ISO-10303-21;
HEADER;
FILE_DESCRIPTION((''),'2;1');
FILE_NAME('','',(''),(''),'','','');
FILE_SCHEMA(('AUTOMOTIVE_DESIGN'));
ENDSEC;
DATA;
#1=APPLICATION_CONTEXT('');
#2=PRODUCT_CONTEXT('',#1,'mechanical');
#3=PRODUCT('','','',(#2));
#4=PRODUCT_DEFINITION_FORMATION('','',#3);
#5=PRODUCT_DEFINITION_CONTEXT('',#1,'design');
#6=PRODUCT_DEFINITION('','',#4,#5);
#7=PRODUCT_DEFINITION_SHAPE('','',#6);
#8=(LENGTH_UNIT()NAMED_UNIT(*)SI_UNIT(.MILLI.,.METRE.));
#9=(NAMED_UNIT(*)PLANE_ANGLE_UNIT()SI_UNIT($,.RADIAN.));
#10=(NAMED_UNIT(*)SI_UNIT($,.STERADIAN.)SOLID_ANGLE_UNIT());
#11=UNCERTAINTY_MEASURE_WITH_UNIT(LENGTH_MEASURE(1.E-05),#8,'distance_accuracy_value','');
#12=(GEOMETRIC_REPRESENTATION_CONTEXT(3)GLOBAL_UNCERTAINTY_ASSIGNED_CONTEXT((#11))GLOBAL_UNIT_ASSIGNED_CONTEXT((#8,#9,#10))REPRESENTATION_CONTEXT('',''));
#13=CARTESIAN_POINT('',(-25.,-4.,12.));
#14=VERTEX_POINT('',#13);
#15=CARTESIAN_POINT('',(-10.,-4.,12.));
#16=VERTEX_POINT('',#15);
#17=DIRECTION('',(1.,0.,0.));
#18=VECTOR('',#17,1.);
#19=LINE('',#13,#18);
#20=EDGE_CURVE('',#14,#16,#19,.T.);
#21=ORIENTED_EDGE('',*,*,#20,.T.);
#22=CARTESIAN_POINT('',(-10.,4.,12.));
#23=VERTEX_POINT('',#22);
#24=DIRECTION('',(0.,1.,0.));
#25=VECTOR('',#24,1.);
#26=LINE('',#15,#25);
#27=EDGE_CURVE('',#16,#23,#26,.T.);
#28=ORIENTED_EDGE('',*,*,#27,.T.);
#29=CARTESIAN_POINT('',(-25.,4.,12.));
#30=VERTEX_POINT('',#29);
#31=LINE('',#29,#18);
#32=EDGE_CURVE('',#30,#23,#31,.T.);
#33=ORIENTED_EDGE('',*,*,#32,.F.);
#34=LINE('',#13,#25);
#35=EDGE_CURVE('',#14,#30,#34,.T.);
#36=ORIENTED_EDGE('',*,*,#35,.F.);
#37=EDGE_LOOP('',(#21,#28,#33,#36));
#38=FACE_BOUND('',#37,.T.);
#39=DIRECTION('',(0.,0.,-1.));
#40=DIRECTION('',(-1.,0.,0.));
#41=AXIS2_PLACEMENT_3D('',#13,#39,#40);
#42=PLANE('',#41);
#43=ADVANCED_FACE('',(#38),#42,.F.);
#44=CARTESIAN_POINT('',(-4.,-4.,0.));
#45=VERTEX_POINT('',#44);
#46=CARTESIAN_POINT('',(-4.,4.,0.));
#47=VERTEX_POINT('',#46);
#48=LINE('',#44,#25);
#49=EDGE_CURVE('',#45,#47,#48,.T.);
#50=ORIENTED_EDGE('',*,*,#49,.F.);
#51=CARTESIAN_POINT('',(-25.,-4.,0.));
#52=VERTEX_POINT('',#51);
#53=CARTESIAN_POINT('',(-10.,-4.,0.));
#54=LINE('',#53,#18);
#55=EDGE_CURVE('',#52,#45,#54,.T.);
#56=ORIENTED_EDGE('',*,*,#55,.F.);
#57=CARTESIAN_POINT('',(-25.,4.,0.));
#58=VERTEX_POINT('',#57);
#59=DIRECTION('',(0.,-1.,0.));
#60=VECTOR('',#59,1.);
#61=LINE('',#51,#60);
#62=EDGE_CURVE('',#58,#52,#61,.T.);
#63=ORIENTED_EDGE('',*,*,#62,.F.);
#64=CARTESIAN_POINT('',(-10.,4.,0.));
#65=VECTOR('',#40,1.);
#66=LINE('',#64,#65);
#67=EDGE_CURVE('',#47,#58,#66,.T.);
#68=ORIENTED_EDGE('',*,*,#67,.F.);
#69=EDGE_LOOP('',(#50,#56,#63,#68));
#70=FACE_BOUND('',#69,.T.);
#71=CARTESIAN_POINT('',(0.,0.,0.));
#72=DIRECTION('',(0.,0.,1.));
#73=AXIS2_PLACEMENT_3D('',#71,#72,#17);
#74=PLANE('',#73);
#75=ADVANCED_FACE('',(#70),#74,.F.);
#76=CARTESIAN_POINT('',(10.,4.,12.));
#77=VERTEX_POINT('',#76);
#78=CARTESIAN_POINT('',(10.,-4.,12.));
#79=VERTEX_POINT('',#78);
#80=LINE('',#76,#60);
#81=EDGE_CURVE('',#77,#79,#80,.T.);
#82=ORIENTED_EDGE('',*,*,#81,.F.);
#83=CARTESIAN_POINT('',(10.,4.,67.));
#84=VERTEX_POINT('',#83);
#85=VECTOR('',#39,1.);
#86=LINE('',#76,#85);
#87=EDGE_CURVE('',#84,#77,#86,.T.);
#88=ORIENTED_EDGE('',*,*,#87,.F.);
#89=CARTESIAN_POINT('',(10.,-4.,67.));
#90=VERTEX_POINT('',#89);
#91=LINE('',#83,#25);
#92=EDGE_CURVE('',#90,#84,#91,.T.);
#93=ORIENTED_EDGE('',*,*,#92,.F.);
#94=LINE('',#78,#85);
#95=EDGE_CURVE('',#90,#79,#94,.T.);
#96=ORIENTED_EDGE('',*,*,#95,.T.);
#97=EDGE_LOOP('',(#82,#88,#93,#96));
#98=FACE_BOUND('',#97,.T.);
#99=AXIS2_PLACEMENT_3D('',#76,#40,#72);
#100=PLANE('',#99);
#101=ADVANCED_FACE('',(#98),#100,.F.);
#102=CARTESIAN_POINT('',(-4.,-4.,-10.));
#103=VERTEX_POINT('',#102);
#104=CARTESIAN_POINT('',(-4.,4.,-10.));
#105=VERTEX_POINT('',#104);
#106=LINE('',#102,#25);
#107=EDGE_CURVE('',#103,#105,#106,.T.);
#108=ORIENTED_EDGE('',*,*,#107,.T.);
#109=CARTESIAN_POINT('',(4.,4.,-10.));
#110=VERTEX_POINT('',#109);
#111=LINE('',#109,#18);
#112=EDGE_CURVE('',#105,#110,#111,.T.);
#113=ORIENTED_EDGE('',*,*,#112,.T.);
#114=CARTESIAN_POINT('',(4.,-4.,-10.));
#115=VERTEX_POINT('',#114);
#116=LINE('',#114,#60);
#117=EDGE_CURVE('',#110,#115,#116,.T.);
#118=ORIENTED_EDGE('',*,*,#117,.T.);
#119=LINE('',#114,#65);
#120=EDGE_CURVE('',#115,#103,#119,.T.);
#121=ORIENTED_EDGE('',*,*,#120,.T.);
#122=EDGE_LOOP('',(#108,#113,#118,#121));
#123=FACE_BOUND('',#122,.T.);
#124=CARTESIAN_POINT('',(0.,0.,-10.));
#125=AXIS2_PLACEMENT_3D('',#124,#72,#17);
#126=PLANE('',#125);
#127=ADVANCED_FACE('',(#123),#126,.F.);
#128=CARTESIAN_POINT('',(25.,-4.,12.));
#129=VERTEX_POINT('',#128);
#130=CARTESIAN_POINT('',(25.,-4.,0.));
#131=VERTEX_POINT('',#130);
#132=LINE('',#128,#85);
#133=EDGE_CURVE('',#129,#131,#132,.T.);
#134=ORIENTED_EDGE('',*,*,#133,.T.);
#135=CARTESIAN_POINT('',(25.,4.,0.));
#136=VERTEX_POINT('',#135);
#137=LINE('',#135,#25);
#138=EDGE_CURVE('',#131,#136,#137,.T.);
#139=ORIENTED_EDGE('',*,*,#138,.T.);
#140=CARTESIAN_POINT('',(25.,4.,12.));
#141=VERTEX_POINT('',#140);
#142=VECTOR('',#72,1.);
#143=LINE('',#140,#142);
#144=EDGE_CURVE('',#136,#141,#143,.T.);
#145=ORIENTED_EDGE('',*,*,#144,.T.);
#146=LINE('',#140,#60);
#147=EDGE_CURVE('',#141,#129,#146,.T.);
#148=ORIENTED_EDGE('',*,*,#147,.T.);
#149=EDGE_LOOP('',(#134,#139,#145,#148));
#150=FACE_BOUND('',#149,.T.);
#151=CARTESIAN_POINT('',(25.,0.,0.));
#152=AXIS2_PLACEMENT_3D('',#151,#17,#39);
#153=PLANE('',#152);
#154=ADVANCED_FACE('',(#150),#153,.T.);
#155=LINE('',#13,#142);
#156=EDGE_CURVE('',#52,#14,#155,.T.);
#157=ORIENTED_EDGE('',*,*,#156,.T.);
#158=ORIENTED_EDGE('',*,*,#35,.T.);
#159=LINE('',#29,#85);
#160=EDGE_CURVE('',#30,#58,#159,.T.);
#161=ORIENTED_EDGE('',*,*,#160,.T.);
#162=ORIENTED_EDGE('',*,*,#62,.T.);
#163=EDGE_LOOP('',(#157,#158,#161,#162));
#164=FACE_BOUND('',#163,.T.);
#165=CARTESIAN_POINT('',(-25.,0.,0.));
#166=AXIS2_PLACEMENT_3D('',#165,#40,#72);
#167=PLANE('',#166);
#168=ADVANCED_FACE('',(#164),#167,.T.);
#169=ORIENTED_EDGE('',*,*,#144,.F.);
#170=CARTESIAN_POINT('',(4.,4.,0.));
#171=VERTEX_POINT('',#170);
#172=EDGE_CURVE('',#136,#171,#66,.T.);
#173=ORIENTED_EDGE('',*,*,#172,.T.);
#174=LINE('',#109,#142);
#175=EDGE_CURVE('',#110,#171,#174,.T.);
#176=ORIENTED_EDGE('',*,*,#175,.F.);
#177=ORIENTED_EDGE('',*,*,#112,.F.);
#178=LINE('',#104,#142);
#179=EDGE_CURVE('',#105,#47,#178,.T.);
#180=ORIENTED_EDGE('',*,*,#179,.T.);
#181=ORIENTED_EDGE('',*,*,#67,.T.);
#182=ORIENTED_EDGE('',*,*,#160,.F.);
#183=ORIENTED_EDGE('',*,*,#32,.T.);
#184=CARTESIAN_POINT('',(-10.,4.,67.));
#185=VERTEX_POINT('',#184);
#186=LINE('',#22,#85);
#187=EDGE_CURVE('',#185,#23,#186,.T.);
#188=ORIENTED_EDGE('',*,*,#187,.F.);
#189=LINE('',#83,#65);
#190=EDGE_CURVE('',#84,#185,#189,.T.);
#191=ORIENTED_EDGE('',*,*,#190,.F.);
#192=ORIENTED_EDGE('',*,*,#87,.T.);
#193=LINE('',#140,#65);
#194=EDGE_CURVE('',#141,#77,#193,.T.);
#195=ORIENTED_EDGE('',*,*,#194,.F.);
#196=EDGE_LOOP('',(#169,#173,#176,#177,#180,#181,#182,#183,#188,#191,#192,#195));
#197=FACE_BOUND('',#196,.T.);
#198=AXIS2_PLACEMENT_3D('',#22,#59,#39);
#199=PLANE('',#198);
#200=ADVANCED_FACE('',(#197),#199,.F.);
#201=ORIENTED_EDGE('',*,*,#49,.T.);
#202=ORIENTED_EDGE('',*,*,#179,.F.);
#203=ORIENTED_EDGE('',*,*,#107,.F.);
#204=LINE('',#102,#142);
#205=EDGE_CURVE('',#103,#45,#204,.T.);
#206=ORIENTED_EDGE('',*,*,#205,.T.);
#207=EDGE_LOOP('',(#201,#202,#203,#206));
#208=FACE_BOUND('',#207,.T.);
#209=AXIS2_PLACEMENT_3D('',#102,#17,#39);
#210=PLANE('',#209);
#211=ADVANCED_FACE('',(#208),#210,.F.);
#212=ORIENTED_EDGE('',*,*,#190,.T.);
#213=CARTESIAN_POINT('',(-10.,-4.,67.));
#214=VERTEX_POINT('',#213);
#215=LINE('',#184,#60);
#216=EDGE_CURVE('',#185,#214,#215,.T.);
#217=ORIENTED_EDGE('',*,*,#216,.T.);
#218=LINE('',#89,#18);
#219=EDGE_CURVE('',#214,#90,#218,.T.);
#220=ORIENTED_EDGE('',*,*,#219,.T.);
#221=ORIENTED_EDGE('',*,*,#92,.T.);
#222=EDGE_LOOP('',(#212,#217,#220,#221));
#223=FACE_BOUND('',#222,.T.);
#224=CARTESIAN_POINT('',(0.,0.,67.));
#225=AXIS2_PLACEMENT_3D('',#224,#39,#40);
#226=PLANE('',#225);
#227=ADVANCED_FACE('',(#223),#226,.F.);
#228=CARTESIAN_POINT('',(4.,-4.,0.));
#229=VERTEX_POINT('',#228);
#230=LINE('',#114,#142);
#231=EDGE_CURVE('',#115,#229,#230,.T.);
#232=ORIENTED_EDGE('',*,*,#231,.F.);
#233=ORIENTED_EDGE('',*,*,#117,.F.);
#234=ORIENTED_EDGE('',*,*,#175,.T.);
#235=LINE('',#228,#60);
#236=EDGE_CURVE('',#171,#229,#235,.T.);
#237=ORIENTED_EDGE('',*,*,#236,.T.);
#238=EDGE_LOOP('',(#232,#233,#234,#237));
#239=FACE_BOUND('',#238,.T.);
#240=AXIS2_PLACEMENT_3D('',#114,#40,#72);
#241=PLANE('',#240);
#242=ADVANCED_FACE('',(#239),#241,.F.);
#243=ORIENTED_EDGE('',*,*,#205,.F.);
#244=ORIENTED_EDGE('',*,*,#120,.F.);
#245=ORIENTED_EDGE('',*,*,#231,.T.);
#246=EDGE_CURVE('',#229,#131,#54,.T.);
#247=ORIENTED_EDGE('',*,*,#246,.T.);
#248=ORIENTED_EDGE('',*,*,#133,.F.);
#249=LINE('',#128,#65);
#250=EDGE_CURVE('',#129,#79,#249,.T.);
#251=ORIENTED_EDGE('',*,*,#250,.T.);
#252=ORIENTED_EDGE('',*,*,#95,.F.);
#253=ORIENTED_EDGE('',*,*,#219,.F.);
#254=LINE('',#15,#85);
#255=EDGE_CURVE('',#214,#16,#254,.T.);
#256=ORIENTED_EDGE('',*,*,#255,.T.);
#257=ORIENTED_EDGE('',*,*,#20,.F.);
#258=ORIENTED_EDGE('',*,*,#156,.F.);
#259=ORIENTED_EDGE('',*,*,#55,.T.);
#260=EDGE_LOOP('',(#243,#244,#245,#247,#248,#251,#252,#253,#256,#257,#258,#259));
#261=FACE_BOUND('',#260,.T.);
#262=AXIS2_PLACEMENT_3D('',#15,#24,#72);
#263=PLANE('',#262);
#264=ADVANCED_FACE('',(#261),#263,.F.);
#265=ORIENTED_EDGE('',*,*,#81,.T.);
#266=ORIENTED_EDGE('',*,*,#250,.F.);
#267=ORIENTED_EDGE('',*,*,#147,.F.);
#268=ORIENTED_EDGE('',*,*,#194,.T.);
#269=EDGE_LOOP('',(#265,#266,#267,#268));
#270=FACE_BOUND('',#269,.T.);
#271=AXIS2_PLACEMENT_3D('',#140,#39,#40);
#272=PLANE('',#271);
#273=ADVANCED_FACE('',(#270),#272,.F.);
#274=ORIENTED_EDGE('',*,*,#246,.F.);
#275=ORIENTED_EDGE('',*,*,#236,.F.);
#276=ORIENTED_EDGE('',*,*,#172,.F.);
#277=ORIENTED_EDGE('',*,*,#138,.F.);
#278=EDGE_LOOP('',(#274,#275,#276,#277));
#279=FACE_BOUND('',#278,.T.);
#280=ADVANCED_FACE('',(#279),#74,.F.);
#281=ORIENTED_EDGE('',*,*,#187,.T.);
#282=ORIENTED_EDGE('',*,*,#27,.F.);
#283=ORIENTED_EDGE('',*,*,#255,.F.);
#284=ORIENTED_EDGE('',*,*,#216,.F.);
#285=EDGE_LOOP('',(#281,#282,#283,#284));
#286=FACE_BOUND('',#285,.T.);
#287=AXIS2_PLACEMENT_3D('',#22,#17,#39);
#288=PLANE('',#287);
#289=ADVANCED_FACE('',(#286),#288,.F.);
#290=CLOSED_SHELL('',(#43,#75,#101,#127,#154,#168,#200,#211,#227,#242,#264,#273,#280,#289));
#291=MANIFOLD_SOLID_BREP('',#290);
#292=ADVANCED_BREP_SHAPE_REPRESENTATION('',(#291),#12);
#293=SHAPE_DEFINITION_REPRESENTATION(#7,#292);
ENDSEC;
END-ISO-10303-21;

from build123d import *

# Parameters (mm, degrees)
SKETCH_1_W      = 20
SKETCH_1_H      = 8
EXTRUDE_1_DEPTH = 12
SKETCH_5_W      = 8
SKETCH_5_H      = 8
EXTRUDE_5_DEPTH = 10
SKETCH_8_W      = 20
SKETCH_8_H      = 8
EXTRUDE_6_DEPTH = 55
SKETCH_9_W      = 12
SKETCH_9_H      = 8
EXTRUDE_7_DEPTH = 15
SKETCH_10_W     = 12
SKETCH_10_H     = 8
EXTRUDE_8_DEPTH = 15


with BuildPart() as part:
    # ｽｹｯﾁ1 → ﾎﾞｽ - 押し出し1 (new body)
    with BuildSketch(Plane.XY):
        Rectangle(SKETCH_1_W, SKETCH_1_H)
    extrude(amount=EXTRUDE_1_DEPTH)

    # ｽｹｯﾁ5 → ﾎﾞｽ - 押し出し5 (add)
    with BuildSketch(Plane(origin=(0, 0, 0), x_dir=(-1, 0, 0), z_dir=(0, 0, -1))):
        Rectangle(SKETCH_5_W, SKETCH_5_H)
    extrude(amount=EXTRUDE_5_DEPTH)

    # ｽｹｯﾁ8 → ﾎﾞｽ - 押し出し6 (add)
    with BuildSketch(Plane.XY.offset(12)):
        Rectangle(SKETCH_8_W, SKETCH_8_H)
    extrude(amount=EXTRUDE_6_DEPTH)

    # ｽｹｯﾁ9 → ﾎﾞｽ - 押し出し7 (add)
    with BuildSketch(Plane(origin=(10, 0, 0), x_dir=(0, 0, -1), z_dir=(1, 0, 0))):
        with Locations((-6, 0)):
            Rectangle(SKETCH_9_W, SKETCH_9_H)
    extrude(amount=EXTRUDE_7_DEPTH)

    # ｽｹｯﾁ10 → ﾎﾞｽ - 押し出し8 (add)
    with BuildSketch(Plane.ZY.offset(10)):
        with Locations((6, 0)):
            Rectangle(SKETCH_10_W, SKETCH_10_H)
    extrude(amount=EXTRUDE_8_DEPTH)


solid = part.part
